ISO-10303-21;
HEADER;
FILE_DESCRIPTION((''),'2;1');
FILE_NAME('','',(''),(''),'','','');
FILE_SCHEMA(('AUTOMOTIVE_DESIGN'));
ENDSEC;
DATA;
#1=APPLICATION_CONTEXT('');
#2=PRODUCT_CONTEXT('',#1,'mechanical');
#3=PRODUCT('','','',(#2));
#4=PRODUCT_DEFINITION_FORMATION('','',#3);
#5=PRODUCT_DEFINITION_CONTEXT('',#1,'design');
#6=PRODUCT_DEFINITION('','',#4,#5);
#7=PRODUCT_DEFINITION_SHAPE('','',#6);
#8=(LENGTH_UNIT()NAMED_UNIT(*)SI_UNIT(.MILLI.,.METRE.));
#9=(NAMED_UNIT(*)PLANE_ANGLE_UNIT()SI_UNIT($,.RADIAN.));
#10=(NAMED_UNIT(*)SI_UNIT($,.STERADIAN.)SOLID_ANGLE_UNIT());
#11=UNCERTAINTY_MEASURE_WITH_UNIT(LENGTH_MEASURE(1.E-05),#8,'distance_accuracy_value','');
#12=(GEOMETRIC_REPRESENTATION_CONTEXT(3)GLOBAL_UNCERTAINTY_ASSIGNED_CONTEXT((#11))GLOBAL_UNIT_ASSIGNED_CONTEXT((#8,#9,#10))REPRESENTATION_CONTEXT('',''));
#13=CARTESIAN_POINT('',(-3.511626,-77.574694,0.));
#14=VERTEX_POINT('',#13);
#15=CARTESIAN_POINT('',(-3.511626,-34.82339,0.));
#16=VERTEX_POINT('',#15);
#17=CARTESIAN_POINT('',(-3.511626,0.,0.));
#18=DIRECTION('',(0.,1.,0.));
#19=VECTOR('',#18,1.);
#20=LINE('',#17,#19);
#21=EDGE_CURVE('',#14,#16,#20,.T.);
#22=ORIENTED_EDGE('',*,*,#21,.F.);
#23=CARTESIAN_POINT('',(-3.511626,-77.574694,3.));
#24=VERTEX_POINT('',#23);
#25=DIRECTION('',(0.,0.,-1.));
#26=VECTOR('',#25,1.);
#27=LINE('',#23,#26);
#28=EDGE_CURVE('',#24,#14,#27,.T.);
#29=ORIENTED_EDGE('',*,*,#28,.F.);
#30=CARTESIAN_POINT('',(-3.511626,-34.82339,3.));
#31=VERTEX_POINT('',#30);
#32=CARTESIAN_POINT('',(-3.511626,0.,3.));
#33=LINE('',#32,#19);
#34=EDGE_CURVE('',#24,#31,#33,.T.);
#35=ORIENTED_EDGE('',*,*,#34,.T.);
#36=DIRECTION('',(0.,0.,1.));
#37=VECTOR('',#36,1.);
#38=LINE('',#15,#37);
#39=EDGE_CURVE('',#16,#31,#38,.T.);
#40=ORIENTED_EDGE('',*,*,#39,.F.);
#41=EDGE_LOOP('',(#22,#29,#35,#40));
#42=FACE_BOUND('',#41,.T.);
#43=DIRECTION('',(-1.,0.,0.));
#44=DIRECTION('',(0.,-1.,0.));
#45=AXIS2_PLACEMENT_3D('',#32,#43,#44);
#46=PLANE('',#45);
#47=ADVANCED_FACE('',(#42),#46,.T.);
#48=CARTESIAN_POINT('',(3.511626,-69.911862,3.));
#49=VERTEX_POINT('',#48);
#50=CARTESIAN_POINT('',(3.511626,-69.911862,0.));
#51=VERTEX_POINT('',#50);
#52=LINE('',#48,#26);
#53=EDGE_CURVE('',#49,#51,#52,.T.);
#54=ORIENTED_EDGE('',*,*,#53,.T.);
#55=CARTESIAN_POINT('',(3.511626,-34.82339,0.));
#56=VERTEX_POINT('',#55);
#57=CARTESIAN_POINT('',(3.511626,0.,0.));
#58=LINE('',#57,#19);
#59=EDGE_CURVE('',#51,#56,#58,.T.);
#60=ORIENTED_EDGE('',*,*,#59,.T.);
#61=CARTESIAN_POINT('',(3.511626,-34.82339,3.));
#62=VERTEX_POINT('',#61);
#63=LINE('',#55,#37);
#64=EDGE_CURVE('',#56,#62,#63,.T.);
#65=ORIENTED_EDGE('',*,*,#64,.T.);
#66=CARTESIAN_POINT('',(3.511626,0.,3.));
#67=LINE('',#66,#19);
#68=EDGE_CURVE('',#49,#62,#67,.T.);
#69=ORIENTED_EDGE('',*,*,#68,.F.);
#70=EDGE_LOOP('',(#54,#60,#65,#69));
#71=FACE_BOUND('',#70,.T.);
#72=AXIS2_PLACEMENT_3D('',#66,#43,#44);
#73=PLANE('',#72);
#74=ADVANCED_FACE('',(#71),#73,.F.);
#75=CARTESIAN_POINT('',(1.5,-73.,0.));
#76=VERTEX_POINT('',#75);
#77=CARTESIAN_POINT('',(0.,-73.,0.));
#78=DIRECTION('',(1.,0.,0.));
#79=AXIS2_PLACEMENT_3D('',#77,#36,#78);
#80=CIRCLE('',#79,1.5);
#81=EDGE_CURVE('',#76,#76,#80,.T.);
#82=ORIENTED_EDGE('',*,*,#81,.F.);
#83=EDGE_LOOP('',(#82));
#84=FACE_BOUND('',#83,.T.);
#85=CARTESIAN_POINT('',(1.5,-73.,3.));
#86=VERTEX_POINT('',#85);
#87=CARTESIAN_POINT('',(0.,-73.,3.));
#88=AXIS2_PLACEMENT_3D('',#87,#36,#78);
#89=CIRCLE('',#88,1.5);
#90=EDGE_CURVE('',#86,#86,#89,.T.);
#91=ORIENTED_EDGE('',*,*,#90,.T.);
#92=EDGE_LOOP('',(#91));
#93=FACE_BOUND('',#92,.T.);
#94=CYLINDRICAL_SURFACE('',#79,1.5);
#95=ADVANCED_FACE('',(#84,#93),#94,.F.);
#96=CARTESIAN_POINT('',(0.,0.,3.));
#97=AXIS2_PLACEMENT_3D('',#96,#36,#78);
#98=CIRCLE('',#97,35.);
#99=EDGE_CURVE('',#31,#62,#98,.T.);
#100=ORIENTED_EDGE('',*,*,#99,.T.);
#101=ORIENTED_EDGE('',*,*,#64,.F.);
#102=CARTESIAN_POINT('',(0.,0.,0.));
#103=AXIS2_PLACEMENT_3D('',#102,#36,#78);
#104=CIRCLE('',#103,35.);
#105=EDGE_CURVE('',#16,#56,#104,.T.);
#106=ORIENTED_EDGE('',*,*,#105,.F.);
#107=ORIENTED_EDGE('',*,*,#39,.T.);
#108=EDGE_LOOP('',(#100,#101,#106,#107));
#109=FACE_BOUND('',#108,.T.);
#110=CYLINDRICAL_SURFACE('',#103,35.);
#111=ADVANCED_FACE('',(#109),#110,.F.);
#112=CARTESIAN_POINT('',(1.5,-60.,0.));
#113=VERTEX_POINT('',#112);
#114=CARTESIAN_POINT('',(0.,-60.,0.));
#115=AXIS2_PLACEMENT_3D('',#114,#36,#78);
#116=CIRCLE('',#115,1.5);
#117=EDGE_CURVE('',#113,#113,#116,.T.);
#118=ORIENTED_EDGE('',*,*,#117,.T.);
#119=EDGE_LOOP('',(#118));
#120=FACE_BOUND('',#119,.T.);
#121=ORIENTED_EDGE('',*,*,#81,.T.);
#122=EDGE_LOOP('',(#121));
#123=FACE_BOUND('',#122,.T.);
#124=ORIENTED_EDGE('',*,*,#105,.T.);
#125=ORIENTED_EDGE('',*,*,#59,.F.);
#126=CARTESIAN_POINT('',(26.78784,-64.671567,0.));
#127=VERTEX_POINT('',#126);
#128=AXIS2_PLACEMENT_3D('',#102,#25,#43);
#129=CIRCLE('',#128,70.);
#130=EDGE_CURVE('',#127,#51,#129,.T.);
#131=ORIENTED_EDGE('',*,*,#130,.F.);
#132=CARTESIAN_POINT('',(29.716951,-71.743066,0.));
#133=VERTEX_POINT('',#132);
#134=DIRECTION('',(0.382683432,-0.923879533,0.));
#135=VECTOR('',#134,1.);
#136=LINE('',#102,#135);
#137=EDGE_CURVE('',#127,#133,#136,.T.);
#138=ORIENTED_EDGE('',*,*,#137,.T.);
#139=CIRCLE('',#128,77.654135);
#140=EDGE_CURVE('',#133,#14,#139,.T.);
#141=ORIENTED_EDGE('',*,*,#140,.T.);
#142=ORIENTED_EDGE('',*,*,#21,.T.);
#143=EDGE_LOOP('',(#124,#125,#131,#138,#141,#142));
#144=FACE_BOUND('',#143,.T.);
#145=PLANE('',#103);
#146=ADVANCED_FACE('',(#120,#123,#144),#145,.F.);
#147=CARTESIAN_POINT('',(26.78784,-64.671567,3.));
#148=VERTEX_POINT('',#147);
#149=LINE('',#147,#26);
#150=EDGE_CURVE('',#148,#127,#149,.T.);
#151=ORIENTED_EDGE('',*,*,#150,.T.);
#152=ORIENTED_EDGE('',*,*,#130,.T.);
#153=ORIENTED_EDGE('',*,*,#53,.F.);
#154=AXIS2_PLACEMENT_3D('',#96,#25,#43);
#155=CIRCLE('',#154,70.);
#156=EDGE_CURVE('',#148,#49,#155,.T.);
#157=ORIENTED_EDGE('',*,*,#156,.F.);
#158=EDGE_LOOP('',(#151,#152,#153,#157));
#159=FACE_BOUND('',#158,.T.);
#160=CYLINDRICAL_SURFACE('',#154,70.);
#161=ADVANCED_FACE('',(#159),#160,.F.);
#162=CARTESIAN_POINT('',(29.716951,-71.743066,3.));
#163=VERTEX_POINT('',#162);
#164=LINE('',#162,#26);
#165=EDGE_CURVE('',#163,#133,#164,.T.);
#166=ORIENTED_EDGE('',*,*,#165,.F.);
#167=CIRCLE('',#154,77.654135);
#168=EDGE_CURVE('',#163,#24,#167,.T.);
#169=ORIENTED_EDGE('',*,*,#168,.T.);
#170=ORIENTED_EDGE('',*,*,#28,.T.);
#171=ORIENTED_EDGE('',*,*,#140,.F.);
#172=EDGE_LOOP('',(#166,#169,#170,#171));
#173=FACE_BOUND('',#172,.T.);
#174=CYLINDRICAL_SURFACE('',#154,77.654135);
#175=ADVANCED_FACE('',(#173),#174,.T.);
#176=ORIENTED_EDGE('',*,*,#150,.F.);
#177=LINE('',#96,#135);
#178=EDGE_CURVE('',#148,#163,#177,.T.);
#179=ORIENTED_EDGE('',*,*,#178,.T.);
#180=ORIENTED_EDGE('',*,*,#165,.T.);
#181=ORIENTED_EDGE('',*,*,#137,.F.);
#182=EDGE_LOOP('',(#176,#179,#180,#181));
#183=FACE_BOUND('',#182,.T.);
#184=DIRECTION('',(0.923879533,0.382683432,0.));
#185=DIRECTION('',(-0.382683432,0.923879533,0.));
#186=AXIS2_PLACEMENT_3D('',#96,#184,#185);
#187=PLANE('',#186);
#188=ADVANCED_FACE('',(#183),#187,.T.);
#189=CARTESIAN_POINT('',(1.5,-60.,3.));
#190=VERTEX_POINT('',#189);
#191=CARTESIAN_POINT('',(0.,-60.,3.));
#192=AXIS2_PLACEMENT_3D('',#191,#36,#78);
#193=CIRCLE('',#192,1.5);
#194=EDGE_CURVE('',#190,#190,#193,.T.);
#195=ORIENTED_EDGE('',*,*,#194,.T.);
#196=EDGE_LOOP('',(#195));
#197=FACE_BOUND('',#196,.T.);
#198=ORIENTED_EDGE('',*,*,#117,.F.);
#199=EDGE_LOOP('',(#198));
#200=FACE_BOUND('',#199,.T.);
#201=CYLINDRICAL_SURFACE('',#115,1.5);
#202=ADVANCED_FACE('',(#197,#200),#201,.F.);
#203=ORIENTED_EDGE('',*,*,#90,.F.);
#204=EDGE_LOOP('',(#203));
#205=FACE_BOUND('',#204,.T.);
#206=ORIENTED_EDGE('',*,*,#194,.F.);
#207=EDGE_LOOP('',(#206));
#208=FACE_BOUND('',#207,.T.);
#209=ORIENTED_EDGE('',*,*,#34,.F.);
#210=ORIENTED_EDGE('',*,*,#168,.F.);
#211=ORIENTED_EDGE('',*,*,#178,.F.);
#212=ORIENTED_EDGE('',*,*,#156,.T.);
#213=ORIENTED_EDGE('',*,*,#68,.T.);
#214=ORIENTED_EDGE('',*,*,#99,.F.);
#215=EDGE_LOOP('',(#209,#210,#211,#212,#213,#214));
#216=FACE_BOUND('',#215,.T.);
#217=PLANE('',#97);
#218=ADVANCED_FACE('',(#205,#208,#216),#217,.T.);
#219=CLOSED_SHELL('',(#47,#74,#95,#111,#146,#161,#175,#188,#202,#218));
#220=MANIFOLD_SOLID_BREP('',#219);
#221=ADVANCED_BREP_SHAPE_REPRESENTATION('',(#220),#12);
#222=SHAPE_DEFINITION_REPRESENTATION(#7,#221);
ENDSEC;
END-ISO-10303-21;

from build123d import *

# Parameters (mm, degrees)
SKETCH_1_R          = 18
LASHENA_DEPTH       = 3
CUT_EXTRUDEA_DEPTH  = 3
WWW_KYTOOL_CN_COUNT = 16
SKETCH_3_R          = 1.5
CUT_EXTRUDE_2_DEPTH = 10
SKETCH_4_R          = 1.5
CUT_EXTRUDE_3_DEPTH = 10
SKETCH_5_W          = 7.023251592
SKETCH_5_H          = 5.670576874
EXTRUDE_3_DEPTH     = 3
SKETCH_6_R          = 1.5
CUT_EXTRUDE_4_DEPTH = 3
SKETCH_8_R          = 35
CUT_EXTRUDE_5_DEPTH = 3


with BuildPart() as part:
    # 草图1 → LaShenA (new body)
    with BuildSketch(Plane.XY):
        Circle(SKETCH_1_R)
    extrude(amount=LASHENA_DEPTH)

    # SketchA → Cut-ExtrudeA (cut)
    with BuildSketch(Plane.XY.offset(3)):
        with BuildLine():
            ThreePointArc((0.423212707, 13.493364703), (0, 13.5), (-0.423212707, 13.493364703))
            ThreePointArc((-0.423212707, 13.493364703), (-0.952770902, 13.685686791), (-1.20440395, 14.18977059))
            add(Edge.make_bspline(
                [(-1.20440395, 14.18977059), (-1.226562505, 14.455224305), (-1.213843633, 14.773889884), (-1.273675597, 15.110607864), (-1.299119688, 15.21139578), (-1.321432077, 15.29109757), (-1.349914152, 15.382250837), (-1.385146673, 15.484587535), (-1.427834192, 15.597770763), (-1.478623281, 15.721446817), (-1.538159915, 15.855229004), (-1.607069773, 15.998703507), (-1.685962928, 16.151428337), (-1.775430978, 16.312934487), (-1.876046532, 16.482726463), (-1.98836201, 16.660283053), (-2.112908684, 16.845058076), (-2.250195688, 17.036481179), (-2.400709063, 17.233958676), (-2.56491084, 17.43687441), (-2.743238138, 17.644590662), (-2.936102365, 17.856449073), (-3.14388814, 18.07177164), (-3.447378451, 18.368492697), (-3.689495989, 18.585006365), (-3.858042439, 18.727457792)],
                knots=[0.122308221, 0.122308221, 0.122308221, 0.122308221, 0.250610689, 0.276296194, 0.287604067, 0.300967916, 0.316387742, 0.333863545, 0.353395324, 0.37498308, 0.398626813, 0.424326522, 0.452082207, 0.48189387, 0.513761509, 0.547685125, 0.583664717, 0.621700286, 0.661791832, 0.703939355, 0.748142854, 0.79440233, 0.842717782, 0.893089212, 1, 1, 1, 1], degree=3))
            ThreePointArc((-3.858042439, 18.727457792), (0, 19.120726106), (3.858042439, 18.727457792))
            add(Edge.make_bspline(
                [(1.20440395, 14.18977059), (1.226562505, 14.455224305), (1.213843633, 14.773889884), (1.273675597, 15.110607864), (1.299119688, 15.21139578), (1.321432077, 15.29109757), (1.349914152, 15.382250837), (1.385146673, 15.484587535), (1.427834192, 15.597770763), (1.478623281, 15.721446817), (1.538159915, 15.855229004), (1.607069773, 15.998703507), (1.685962928, 16.151428337), (1.775430978, 16.312934487), (1.876046532, 16.482726463), (1.98836201, 16.660283053), (2.112908684, 16.845058076), (2.250195688, 17.036481179), (2.400709063, 17.233958676), (2.56491084, 17.43687441), (2.743238138, 17.644590662), (2.936102365, 17.856449073), (3.14388814, 18.07177164), (3.447378451, 18.368492697), (3.689495989, 18.585006365), (3.858042439, 18.727457792)],
                knots=[0.122308221, 0.122308221, 0.122308221, 0.122308221, 0.250610689, 0.276296194, 0.287604067, 0.300967916, 0.316387742, 0.333863545, 0.353395324, 0.37498308, 0.398626813, 0.424326522, 0.452082207, 0.48189387, 0.513761509, 0.547685125, 0.583664717, 0.621700286, 0.661791832, 0.703939355, 0.748142854, 0.79440233, 0.842717782, 0.893089212, 1, 1, 1, 1], degree=3))
            ThreePointArc((1.20440395, 14.18977059), (0.952770902, 13.685686791), (0.423212707, 13.493364703))
        make_face()
    cut_extrudea = extrude(amount=-CUT_EXTRUDEA_DEPTH, mode=Mode.SUBTRACT)

    # www.KYTool.cn: Cut-ExtrudeA ×16 about axis
    www_kytool_cn_axis = Axis((0, 0, -80.9), (0, 0, 1))
    for i in range(1, WWW_KYTOOL_CN_COUNT):
        add(cut_extrudea.rotate(www_kytool_cn_axis, i * 360 / WWW_KYTOOL_CN_COUNT), mode=Mode.SUBTRACT)

    # 草图3 → 切除-拉伸2 (cut)
    with BuildSketch(Plane(origin=(0, 0, 0), x_dir=(-1, 0, 0), z_dir=(0, 0, -1))):
        Circle(SKETCH_3_R)
    extrude(amount=-CUT_EXTRUDE_2_DEPTH, mode=Mode.SUBTRACT)

    # 草图4 → 切除-拉伸3 (cut)
    with BuildSketch(Plane(origin=(0, 0, 0), x_dir=(-1, 0, 0), z_dir=(0, 0, -1))):
        with Locations((5, 0)):
            Circle(SKETCH_4_R)
        with Locations((0, -5)):
            Circle(SKETCH_4_R)
        with Locations((-5, 0)):
            Circle(SKETCH_4_R)
        with Locations((0, 5)):
            Circle(SKETCH_4_R)
    extrude(amount=-CUT_EXTRUDE_3_DEPTH, mode=Mode.SUBTRACT)

    # 草图5 → 凸台-拉伸3 (add)
    with BuildSketch(Plane(origin=(0, 0, 0), x_dir=(-1, 0, 0), z_dir=(0, 0, -1))):
        with Locations((0, -14.81884661)):
            Rectangle(SKETCH_5_W, SKETCH_5_H)
        with BuildLine():
            ThreePointArc((3.511625796, -17.654135047), (0, -18), (-3.511625796, -17.654135047))
            Line((-3.511625796, -17.654135047), (-3.511625796, -69.911862257))
            ThreePointArc((-3.511625796, -69.911862257), (0, -70), (3.511625796, -69.911862257))
            Line((3.511625796, -69.911862257), (3.511625796, -17.654135047))
        make_face()
        with BuildLine():
            ThreePointArc((3.511625796, -69.911862257), (0, -70), (-3.511625796, -69.911862257))
            Line((-3.511625796, -69.911862257), (-3.511625796, -77.574694161))
            ThreePointArc((-3.511625796, -77.574694161), (0, -77.654135047), (3.511625796, -77.574694161))
            Line((3.511625796, -77.574694161), (3.511625796, -69.911862257))
        make_face()
        with BuildLine():
            Line((-3.511625796, -77.574694161), (-3.511625796, -69.911862257))
            ThreePointArc((-3.511625796, -69.911862257), (-15.374640932, -68.290705196), (-26.787840266, -64.671567276))
            Line((-26.787840266, -64.671567276), (-29.716950937, -71.743065985))
            ThreePointArc((-29.716950937, -71.743065985), (-16.868211219, -75.799921769), (-3.511625796, -77.574694161))
        make_face()
        with BuildLine():
            Line((3.511625796, -17.654135047), (-3.511625796, -17.654135047))
            ThreePointArc((-3.511625796, -17.654135047), (0, -18), (3.511625796, -17.654135047))
        make_face()
    extrude(amount=-EXTRUDE_3_DEPTH)

    # 草图6 → 切除-拉伸4 (cut)
    with BuildSketch(Plane.XY.offset(3)):
        with Locations((0, -60)):
            Circle(SKETCH_6_R)
        with Locations((0, -73)):
            Circle(SKETCH_6_R)
    extrude(amount=-CUT_EXTRUDE_4_DEPTH, mode=Mode.SUBTRACT)

    # 草图8 → 切除-拉伸5 (cut)
    with BuildSketch(Plane.XY.offset(3)):
        Circle(SKETCH_8_R)
    extrude(amount=-CUT_EXTRUDE_5_DEPTH, mode=Mode.SUBTRACT)


solid = part.part
